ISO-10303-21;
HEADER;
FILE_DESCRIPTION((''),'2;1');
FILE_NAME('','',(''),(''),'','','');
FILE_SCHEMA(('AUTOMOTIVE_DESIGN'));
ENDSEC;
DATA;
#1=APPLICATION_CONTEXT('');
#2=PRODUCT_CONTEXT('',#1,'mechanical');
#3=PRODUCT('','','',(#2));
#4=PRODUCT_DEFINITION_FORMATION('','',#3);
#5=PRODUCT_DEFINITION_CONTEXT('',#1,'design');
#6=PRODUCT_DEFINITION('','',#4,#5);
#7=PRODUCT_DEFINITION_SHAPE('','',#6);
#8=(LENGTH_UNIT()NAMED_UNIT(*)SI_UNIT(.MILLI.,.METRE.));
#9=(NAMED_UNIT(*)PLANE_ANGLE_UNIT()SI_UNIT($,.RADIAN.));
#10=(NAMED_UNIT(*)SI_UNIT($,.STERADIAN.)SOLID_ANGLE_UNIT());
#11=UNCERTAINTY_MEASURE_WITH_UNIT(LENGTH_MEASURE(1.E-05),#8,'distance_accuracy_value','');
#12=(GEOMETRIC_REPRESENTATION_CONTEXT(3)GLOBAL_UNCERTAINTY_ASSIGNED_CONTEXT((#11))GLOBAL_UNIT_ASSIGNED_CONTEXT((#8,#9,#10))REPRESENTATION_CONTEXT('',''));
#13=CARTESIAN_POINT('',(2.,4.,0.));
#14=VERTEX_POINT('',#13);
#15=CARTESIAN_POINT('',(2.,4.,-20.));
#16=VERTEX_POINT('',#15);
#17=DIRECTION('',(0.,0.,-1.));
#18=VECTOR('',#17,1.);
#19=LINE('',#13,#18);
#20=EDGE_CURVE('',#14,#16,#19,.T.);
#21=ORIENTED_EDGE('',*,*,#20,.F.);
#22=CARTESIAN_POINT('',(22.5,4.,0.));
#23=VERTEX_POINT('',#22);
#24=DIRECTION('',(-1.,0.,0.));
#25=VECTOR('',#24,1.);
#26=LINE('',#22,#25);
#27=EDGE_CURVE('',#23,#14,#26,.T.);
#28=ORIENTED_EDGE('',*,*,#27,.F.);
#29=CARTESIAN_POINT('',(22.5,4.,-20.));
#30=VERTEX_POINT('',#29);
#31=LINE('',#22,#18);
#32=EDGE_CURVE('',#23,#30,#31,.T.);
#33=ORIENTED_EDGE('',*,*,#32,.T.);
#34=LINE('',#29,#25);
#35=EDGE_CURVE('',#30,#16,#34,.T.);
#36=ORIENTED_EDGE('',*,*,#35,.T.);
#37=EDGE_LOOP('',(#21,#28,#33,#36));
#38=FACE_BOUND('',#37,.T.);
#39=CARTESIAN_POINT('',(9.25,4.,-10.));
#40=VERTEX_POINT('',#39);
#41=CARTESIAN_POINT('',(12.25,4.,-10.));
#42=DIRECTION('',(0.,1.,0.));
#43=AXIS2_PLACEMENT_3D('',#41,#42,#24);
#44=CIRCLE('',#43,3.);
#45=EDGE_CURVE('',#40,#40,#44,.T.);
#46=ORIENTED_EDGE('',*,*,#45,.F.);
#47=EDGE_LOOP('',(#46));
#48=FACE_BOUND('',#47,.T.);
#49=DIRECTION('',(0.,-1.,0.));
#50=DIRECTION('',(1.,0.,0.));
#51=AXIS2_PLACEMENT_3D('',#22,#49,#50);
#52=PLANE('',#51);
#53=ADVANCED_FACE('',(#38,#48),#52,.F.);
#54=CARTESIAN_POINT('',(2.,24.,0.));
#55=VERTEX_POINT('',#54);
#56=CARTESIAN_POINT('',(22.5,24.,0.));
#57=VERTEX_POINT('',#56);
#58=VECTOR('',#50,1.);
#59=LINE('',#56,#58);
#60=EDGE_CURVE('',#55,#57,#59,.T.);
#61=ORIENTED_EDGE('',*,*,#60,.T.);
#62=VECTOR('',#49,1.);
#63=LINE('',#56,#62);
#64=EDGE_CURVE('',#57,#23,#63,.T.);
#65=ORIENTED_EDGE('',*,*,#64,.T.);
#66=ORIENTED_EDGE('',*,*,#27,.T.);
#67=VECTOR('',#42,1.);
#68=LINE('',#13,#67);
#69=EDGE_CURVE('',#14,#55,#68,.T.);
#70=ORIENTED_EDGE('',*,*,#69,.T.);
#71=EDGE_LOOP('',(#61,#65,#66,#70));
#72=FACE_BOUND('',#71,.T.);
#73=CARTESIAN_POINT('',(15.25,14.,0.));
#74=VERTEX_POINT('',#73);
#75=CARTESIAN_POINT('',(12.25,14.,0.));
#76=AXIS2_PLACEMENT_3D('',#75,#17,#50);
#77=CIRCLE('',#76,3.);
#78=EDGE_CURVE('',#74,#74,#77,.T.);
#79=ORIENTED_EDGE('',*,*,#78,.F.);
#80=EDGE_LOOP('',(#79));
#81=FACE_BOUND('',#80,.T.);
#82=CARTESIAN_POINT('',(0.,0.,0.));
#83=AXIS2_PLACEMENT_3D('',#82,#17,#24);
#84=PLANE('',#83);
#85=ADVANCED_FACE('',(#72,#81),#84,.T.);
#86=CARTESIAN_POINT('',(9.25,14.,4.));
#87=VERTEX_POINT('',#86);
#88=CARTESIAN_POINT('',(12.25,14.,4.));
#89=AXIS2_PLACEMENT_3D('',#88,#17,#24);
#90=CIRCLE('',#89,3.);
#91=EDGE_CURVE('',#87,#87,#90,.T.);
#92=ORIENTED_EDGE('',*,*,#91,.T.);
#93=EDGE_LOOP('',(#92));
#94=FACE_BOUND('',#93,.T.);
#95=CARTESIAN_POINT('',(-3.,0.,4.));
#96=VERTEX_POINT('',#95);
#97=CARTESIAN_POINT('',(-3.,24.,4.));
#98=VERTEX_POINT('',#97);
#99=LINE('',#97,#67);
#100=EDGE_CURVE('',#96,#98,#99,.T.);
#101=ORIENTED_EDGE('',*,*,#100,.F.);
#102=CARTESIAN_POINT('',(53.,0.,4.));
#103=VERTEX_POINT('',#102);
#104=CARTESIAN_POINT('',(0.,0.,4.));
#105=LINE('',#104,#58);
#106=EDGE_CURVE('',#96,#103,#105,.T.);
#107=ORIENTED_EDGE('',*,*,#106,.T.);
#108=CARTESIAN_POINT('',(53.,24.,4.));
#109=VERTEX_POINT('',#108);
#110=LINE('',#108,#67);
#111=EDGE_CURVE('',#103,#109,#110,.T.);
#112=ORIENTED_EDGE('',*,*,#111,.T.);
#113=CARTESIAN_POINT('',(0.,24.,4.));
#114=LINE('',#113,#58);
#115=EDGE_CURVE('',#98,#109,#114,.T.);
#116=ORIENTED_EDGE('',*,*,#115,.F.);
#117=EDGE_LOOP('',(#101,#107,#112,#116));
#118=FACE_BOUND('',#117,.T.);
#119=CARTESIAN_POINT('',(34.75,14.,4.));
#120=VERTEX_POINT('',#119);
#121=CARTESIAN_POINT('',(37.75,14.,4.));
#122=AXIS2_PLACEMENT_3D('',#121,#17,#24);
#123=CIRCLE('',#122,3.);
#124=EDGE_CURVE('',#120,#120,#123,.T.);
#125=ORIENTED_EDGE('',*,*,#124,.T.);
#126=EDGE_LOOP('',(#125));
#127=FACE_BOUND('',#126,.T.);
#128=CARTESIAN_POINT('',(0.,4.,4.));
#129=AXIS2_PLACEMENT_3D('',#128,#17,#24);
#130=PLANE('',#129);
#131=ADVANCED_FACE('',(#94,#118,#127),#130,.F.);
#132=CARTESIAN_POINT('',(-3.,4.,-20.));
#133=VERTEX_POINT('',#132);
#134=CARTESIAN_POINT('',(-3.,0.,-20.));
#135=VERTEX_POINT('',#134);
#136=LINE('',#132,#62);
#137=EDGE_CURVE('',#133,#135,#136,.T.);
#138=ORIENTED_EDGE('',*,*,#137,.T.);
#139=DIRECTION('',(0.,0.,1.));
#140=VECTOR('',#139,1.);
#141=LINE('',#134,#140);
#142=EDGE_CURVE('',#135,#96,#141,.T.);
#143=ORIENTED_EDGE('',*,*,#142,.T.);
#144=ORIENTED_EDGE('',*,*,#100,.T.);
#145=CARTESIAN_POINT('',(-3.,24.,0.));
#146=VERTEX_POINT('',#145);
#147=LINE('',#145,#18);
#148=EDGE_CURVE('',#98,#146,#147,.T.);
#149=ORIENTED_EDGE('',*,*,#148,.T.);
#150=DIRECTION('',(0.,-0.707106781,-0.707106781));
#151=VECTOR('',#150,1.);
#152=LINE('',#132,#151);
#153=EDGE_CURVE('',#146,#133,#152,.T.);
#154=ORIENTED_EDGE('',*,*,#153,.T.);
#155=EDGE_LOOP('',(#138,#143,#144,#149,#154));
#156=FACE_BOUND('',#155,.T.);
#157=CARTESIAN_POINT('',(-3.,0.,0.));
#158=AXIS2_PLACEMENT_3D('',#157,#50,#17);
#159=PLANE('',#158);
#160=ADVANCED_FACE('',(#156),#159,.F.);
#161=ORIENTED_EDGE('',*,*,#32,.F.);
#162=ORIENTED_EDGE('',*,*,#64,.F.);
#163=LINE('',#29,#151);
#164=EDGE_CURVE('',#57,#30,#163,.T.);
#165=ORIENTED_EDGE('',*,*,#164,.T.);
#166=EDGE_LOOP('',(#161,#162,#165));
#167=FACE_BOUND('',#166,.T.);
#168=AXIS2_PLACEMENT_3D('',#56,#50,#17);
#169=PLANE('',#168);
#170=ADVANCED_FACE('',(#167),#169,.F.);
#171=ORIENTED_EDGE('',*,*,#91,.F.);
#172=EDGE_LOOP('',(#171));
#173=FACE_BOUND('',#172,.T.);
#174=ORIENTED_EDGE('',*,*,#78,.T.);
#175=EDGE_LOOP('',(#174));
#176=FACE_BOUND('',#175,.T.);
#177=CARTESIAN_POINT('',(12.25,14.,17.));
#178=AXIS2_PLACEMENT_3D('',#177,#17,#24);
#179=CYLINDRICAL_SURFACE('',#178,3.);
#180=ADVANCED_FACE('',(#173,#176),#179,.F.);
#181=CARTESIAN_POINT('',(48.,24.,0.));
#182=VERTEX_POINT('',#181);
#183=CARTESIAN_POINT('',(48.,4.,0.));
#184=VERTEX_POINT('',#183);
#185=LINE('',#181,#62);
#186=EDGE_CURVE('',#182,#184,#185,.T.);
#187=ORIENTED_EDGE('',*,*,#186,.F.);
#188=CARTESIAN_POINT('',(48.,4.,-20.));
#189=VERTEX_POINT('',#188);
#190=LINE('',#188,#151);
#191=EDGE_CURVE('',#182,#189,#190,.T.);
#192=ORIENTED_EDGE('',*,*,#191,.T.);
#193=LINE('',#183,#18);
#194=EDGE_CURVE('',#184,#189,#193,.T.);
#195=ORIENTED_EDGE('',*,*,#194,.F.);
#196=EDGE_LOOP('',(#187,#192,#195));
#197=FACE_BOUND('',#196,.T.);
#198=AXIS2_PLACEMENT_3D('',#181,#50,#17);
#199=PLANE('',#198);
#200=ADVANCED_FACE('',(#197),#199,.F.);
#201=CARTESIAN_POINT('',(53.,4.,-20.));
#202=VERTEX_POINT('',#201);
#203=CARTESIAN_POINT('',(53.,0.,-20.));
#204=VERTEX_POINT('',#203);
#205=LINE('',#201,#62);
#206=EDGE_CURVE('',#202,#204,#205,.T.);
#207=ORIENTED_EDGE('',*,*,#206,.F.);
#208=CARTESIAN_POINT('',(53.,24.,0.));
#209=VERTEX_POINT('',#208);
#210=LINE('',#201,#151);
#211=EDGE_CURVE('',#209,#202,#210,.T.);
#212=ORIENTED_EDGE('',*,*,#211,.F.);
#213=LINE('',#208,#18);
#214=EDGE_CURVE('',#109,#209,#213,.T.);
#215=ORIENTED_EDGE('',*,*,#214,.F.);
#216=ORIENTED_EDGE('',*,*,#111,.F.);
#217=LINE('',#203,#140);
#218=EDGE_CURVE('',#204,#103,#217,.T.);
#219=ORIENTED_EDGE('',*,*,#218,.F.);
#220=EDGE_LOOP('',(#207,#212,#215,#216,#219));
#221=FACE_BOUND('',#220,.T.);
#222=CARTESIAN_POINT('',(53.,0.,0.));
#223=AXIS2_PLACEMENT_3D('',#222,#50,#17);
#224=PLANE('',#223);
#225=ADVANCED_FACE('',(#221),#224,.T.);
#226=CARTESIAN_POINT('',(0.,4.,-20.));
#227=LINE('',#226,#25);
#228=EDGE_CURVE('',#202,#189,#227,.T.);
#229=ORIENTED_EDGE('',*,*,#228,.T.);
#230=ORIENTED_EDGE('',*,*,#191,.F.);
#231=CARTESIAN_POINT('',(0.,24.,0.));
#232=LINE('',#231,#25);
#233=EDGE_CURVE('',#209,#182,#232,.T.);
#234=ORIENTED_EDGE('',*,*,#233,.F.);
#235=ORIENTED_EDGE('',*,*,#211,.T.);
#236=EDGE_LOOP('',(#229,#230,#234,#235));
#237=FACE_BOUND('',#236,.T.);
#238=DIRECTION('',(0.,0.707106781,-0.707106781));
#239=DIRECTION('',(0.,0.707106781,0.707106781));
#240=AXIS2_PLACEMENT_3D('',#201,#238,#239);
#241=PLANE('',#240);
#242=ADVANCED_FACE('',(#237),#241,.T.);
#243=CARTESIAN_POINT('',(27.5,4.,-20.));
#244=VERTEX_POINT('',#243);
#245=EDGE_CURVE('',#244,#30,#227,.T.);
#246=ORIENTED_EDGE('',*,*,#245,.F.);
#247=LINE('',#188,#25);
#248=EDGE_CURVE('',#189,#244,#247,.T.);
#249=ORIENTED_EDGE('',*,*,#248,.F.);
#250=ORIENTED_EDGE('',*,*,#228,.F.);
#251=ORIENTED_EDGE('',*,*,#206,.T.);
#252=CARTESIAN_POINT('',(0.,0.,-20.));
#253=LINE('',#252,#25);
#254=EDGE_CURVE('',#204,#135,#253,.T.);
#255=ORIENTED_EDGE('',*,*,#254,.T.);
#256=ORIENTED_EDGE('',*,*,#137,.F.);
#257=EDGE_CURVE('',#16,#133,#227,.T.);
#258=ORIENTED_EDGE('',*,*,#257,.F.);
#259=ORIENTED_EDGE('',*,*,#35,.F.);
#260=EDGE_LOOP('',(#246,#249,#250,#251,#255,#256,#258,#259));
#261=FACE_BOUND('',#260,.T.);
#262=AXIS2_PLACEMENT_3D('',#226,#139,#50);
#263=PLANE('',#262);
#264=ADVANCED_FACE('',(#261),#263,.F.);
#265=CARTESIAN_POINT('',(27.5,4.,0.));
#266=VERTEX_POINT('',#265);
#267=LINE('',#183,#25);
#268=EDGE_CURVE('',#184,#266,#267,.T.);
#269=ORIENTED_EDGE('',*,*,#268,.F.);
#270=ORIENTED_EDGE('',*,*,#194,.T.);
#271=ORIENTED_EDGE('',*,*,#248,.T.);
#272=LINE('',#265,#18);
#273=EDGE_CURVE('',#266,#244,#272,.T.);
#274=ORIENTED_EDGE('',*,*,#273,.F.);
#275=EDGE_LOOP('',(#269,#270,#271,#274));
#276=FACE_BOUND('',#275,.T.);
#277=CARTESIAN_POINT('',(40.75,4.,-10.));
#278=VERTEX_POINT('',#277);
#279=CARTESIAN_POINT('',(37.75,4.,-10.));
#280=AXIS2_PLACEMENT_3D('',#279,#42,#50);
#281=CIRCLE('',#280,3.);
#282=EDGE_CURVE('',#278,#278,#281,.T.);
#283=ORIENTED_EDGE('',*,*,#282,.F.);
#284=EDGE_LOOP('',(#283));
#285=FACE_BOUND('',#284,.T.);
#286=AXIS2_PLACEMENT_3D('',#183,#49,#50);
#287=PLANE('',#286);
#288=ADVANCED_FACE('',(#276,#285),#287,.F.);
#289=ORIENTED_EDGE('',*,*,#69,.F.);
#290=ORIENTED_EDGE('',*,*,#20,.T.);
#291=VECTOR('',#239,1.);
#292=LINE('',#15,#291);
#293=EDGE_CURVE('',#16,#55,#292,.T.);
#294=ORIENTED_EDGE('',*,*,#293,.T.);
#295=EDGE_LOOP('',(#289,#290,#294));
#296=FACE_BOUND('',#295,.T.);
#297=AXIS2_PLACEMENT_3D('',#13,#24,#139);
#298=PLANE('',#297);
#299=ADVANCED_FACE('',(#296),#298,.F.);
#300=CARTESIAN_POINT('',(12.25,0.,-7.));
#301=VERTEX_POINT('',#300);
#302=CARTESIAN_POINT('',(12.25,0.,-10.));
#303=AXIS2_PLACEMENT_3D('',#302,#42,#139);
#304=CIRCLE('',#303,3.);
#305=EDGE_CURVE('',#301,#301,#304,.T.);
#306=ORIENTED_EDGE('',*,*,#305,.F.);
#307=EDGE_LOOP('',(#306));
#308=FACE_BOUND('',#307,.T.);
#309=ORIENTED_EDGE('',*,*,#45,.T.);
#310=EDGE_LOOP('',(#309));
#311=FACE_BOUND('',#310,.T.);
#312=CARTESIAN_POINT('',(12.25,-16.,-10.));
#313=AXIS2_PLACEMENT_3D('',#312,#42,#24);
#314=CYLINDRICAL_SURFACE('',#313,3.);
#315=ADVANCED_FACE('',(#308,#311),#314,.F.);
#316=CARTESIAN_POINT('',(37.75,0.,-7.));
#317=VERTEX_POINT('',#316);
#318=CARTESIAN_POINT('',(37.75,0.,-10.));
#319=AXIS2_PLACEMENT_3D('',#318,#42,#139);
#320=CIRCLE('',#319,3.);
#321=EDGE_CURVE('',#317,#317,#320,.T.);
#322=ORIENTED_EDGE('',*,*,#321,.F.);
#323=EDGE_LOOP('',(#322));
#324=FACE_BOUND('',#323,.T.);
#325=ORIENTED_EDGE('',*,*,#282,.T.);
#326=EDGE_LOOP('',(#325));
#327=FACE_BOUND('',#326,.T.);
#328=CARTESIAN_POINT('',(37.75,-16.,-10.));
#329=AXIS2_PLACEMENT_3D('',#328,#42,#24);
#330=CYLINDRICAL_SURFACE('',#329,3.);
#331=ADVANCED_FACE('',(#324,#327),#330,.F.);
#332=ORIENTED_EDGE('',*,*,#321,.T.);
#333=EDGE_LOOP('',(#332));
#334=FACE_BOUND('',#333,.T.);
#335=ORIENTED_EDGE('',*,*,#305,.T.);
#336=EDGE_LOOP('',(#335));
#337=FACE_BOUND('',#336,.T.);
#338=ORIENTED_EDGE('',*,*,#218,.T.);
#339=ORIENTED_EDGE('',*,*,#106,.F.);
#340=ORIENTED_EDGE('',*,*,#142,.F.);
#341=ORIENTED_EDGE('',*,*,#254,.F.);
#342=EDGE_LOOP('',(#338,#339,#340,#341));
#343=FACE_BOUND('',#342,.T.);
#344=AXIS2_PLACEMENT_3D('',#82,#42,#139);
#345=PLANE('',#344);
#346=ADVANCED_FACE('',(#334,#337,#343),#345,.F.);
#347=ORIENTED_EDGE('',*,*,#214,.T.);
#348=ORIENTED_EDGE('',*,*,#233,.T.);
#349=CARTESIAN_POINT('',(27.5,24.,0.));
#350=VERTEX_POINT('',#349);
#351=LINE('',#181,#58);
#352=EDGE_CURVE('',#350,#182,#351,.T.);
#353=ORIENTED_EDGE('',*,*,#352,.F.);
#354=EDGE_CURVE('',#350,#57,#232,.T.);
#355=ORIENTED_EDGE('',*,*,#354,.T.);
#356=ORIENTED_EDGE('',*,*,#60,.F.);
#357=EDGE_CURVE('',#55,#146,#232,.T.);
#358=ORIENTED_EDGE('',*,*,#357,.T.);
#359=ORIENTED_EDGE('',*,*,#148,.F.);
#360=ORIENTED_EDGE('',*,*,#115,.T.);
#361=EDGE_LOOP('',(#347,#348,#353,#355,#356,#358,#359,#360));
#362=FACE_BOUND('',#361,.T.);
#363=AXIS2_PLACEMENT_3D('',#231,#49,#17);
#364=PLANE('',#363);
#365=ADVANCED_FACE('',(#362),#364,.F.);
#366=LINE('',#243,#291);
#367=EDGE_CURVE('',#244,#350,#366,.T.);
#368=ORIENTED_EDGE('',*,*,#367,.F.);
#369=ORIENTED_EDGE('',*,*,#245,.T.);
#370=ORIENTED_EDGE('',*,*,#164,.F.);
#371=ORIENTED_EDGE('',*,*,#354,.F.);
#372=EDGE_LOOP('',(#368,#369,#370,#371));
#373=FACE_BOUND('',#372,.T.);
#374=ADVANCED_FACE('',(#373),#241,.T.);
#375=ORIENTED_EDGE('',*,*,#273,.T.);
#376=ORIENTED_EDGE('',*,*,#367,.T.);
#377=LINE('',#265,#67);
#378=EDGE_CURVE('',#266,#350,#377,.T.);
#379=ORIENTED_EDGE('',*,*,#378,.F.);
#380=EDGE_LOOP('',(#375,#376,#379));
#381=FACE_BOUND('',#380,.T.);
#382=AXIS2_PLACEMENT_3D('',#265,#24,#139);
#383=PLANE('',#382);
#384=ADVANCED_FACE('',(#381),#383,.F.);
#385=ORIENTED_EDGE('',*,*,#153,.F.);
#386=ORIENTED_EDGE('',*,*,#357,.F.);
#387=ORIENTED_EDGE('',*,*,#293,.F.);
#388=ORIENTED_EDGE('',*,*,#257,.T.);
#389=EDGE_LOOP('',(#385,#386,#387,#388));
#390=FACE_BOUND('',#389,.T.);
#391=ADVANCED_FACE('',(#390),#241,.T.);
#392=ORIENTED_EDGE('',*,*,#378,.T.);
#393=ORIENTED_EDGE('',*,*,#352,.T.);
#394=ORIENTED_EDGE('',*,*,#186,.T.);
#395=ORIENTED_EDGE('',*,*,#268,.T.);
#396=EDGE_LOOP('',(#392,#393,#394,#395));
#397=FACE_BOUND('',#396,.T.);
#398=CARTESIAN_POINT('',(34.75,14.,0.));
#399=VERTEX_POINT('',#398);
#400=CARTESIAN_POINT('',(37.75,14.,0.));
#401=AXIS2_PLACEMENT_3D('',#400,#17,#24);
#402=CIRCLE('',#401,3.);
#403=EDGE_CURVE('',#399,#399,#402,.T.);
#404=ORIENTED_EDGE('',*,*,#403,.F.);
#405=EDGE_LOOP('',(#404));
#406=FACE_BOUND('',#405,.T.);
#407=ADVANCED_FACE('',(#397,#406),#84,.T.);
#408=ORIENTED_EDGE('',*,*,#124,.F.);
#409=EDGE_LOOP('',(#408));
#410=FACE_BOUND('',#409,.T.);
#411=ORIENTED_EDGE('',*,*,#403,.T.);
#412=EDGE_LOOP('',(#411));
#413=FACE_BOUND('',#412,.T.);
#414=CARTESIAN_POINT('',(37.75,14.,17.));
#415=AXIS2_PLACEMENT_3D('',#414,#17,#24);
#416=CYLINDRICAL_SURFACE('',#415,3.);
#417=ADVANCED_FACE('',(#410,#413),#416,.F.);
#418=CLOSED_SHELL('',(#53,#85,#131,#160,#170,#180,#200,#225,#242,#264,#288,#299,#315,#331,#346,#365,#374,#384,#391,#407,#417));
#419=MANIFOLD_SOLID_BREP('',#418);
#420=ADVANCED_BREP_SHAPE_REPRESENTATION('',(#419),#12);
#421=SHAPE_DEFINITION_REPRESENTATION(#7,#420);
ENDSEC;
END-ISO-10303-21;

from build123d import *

# Parameters (mm, degrees)
CROQUIS1_R                   = 2.5
SALIENTE_EXTRUIR1_DEPTH      = 4
CROQUIS2_W                   = 50
CROQUIS2_H                   = 4
SALIENTE_EXTRUIR2_DEPTH      = 20
SALIENTE_EXTRUIR3_DEPTH      = 3
SALIENTE_EXTRUIR3_DEPTH_BACK = 53
CROQUIS4_W                   = 20.5
CROQUIS4_H                   = 20
CORTAR_EXTRUIR1_DEPTH        = 20
CROQUIS5_R                   = 3
CORTAR_EXTRUIR2_DEPTH        = 17
CROQUIS6_R                   = 3
CORTAR_EXTRUIR3_DEPTH        = 20


with BuildPart() as part:
    # Croquis1 → Saliente-Extruir1 (new body)
    with BuildSketch(Plane(origin=(0, 0, 0), x_dir=(1, 0, 0), z_dir=(0, 1, 0))):
        Polygon((0, 0), (0, 20), (50, 20), (50, 0), (50, -4), (0, -4), align=None)
        with Locations(Location((12.5, 10, 0), (0, 0, 270))):
            Circle(CROQUIS1_R, mode=Mode.SUBTRACT)
        with Locations(Location((37.5, 10, 0), (0, 0, 270))):
            Circle(CROQUIS1_R, mode=Mode.SUBTRACT)
    extrude(amount=SALIENTE_EXTRUIR1_DEPTH)

    # Croquis2 → Saliente-Extruir2 (add)
    with BuildSketch(Plane(origin=(0, 4, 0), x_dir=(1, 0, 0), z_dir=(0, 1, 0))):
        with Locations((25, -2)):
            Rectangle(CROQUIS2_W, CROQUIS2_H)
    extrude(amount=SALIENTE_EXTRUIR2_DEPTH)

    # Croquis3 → Saliente-Extruir3 (add, two sides: drawn at the far end of the back side and taken through both)
    with BuildSketch(Plane.ZY.offset(-SALIENTE_EXTRUIR3_DEPTH_BACK)):
        Polygon((-20, 4), (-20, 0), (4, 0), (4, 24), (0, 24), align=None)
    extrude(amount=SALIENTE_EXTRUIR3_DEPTH + SALIENTE_EXTRUIR3_DEPTH_BACK)

    # Croquis4 → Cortar-Extruir1 (cut)
    with BuildSketch(Plane(origin=(0, 0, -20), x_dir=(-1, 0, 0), z_dir=(0, 0, -1))):
        with Locations((-37.75, 14)):
            Rectangle(CROQUIS4_W, CROQUIS4_H)
        with Locations((-12.25, 14)):
            Rectangle(CROQUIS4_W, CROQUIS4_H)
    extrude(amount=-CORTAR_EXTRUIR1_DEPTH, mode=Mode.SUBTRACT)

    # Croquis5 → Cortar-Extruir2 (cut)
    with BuildSketch(Plane(origin=(0, 0, 0), x_dir=(-1, 0, 0), z_dir=(0, 0, -1))):
        with Locations((-37.75, 14)):
            Circle(CROQUIS5_R)
        with Locations((-12.25, 14)):
            Circle(CROQUIS5_R)
    extrude(amount=-CORTAR_EXTRUIR2_DEPTH, mode=Mode.SUBTRACT)

    # Croquis6 → Cortar-Extruir3 (cut)
    with BuildSketch(Plane(origin=(0, 4, 0), x_dir=(1, 0, 0), z_dir=(0, 1, 0))):
        with Locations(Location((12.25, 10, 0), (0, 0, 180))):
            Circle(CROQUIS6_R)
        with Locations(Location((37.75, 10, 0), (0, 0, 270))):
            Circle(CROQUIS6_R)
    extrude(amount=-CORTAR_EXTRUIR3_DEPTH, mode=Mode.SUBTRACT)


solid = part.part
